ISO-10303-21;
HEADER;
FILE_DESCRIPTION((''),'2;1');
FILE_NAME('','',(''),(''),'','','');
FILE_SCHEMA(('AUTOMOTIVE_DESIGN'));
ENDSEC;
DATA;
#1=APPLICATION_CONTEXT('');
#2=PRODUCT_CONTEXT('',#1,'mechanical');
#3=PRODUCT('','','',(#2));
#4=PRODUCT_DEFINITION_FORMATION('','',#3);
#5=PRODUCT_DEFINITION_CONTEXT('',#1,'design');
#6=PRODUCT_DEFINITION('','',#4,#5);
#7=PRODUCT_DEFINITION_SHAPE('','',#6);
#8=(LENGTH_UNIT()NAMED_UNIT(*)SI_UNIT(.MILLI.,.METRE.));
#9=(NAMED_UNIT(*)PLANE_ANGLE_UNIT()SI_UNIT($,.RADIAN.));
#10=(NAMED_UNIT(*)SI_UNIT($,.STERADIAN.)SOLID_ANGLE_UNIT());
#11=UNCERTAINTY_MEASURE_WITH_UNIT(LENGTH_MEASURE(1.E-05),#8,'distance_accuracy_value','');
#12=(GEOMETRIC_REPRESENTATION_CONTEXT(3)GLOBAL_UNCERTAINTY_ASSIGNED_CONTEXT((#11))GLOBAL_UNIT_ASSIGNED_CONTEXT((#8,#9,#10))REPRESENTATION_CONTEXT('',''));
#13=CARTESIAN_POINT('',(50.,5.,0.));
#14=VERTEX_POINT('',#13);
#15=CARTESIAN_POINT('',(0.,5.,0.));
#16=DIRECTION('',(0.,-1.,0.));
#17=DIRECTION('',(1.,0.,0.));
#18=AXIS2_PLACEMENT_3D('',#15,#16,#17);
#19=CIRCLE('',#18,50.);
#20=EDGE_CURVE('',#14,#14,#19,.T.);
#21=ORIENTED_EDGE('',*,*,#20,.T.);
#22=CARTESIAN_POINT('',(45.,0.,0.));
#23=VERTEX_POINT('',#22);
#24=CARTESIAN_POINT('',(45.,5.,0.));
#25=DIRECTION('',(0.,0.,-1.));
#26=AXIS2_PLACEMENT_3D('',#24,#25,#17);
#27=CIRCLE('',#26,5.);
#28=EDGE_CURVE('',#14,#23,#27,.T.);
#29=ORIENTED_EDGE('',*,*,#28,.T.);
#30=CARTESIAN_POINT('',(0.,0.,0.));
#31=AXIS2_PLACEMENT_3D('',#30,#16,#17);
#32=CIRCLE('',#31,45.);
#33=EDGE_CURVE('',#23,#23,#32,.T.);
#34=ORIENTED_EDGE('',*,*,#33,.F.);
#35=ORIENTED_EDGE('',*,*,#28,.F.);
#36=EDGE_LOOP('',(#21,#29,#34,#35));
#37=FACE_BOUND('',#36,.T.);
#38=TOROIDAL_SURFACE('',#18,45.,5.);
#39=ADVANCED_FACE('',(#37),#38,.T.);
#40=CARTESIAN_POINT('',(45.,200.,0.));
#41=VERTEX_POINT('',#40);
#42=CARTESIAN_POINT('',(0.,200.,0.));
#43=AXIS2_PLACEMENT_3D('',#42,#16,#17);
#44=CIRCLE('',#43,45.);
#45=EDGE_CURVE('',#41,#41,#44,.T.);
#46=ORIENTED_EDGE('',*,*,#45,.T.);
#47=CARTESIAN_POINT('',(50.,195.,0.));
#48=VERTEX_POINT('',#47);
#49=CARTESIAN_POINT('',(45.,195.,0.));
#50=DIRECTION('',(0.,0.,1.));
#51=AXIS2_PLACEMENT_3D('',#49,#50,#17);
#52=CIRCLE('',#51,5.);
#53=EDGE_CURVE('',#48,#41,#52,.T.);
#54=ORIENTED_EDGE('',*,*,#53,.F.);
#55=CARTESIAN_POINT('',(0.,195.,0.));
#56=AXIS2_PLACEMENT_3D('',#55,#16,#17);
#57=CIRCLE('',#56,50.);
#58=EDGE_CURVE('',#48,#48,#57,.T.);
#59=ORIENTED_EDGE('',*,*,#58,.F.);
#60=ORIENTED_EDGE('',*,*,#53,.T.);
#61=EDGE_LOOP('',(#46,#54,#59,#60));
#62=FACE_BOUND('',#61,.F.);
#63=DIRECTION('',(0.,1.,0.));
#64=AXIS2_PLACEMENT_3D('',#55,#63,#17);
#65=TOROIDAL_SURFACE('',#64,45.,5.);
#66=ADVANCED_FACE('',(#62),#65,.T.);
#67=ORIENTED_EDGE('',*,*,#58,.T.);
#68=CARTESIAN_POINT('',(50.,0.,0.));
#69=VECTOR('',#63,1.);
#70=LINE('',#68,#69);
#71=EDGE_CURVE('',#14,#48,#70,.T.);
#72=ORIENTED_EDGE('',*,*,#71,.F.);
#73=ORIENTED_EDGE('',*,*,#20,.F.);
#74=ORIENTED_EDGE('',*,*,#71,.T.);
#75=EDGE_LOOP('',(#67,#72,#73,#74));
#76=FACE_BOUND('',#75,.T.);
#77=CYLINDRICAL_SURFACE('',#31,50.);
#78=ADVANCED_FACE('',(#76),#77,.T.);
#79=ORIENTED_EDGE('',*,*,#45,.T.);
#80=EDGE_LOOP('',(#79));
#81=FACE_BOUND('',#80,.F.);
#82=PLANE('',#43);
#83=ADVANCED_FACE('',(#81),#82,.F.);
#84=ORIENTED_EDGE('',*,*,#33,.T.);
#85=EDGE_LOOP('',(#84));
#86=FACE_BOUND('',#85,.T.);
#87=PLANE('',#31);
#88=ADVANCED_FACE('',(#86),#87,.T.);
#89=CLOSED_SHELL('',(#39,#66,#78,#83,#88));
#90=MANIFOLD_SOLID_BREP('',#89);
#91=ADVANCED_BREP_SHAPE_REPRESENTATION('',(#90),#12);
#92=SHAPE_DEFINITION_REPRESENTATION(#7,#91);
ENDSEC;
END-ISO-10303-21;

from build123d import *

# Parameters (mm, degrees)
F0_R     = 50
F1_DEPTH = 200
F2_R     = 5


with BuildPart() as f1:
    # F0 (on Front) → F1 (new body)
    with BuildSketch(Plane.XZ):
        Circle(F0_R)
    extrude(amount=-F1_DEPTH)

    # F2
    f2_edges = [f1.edges().sort_by_distance(p)[0] for p in [
        (-50, 200, 0),
        (-50, 0, 0),
    ]]
    fillet(f2_edges, radius=F2_R)


solid = f1.part
